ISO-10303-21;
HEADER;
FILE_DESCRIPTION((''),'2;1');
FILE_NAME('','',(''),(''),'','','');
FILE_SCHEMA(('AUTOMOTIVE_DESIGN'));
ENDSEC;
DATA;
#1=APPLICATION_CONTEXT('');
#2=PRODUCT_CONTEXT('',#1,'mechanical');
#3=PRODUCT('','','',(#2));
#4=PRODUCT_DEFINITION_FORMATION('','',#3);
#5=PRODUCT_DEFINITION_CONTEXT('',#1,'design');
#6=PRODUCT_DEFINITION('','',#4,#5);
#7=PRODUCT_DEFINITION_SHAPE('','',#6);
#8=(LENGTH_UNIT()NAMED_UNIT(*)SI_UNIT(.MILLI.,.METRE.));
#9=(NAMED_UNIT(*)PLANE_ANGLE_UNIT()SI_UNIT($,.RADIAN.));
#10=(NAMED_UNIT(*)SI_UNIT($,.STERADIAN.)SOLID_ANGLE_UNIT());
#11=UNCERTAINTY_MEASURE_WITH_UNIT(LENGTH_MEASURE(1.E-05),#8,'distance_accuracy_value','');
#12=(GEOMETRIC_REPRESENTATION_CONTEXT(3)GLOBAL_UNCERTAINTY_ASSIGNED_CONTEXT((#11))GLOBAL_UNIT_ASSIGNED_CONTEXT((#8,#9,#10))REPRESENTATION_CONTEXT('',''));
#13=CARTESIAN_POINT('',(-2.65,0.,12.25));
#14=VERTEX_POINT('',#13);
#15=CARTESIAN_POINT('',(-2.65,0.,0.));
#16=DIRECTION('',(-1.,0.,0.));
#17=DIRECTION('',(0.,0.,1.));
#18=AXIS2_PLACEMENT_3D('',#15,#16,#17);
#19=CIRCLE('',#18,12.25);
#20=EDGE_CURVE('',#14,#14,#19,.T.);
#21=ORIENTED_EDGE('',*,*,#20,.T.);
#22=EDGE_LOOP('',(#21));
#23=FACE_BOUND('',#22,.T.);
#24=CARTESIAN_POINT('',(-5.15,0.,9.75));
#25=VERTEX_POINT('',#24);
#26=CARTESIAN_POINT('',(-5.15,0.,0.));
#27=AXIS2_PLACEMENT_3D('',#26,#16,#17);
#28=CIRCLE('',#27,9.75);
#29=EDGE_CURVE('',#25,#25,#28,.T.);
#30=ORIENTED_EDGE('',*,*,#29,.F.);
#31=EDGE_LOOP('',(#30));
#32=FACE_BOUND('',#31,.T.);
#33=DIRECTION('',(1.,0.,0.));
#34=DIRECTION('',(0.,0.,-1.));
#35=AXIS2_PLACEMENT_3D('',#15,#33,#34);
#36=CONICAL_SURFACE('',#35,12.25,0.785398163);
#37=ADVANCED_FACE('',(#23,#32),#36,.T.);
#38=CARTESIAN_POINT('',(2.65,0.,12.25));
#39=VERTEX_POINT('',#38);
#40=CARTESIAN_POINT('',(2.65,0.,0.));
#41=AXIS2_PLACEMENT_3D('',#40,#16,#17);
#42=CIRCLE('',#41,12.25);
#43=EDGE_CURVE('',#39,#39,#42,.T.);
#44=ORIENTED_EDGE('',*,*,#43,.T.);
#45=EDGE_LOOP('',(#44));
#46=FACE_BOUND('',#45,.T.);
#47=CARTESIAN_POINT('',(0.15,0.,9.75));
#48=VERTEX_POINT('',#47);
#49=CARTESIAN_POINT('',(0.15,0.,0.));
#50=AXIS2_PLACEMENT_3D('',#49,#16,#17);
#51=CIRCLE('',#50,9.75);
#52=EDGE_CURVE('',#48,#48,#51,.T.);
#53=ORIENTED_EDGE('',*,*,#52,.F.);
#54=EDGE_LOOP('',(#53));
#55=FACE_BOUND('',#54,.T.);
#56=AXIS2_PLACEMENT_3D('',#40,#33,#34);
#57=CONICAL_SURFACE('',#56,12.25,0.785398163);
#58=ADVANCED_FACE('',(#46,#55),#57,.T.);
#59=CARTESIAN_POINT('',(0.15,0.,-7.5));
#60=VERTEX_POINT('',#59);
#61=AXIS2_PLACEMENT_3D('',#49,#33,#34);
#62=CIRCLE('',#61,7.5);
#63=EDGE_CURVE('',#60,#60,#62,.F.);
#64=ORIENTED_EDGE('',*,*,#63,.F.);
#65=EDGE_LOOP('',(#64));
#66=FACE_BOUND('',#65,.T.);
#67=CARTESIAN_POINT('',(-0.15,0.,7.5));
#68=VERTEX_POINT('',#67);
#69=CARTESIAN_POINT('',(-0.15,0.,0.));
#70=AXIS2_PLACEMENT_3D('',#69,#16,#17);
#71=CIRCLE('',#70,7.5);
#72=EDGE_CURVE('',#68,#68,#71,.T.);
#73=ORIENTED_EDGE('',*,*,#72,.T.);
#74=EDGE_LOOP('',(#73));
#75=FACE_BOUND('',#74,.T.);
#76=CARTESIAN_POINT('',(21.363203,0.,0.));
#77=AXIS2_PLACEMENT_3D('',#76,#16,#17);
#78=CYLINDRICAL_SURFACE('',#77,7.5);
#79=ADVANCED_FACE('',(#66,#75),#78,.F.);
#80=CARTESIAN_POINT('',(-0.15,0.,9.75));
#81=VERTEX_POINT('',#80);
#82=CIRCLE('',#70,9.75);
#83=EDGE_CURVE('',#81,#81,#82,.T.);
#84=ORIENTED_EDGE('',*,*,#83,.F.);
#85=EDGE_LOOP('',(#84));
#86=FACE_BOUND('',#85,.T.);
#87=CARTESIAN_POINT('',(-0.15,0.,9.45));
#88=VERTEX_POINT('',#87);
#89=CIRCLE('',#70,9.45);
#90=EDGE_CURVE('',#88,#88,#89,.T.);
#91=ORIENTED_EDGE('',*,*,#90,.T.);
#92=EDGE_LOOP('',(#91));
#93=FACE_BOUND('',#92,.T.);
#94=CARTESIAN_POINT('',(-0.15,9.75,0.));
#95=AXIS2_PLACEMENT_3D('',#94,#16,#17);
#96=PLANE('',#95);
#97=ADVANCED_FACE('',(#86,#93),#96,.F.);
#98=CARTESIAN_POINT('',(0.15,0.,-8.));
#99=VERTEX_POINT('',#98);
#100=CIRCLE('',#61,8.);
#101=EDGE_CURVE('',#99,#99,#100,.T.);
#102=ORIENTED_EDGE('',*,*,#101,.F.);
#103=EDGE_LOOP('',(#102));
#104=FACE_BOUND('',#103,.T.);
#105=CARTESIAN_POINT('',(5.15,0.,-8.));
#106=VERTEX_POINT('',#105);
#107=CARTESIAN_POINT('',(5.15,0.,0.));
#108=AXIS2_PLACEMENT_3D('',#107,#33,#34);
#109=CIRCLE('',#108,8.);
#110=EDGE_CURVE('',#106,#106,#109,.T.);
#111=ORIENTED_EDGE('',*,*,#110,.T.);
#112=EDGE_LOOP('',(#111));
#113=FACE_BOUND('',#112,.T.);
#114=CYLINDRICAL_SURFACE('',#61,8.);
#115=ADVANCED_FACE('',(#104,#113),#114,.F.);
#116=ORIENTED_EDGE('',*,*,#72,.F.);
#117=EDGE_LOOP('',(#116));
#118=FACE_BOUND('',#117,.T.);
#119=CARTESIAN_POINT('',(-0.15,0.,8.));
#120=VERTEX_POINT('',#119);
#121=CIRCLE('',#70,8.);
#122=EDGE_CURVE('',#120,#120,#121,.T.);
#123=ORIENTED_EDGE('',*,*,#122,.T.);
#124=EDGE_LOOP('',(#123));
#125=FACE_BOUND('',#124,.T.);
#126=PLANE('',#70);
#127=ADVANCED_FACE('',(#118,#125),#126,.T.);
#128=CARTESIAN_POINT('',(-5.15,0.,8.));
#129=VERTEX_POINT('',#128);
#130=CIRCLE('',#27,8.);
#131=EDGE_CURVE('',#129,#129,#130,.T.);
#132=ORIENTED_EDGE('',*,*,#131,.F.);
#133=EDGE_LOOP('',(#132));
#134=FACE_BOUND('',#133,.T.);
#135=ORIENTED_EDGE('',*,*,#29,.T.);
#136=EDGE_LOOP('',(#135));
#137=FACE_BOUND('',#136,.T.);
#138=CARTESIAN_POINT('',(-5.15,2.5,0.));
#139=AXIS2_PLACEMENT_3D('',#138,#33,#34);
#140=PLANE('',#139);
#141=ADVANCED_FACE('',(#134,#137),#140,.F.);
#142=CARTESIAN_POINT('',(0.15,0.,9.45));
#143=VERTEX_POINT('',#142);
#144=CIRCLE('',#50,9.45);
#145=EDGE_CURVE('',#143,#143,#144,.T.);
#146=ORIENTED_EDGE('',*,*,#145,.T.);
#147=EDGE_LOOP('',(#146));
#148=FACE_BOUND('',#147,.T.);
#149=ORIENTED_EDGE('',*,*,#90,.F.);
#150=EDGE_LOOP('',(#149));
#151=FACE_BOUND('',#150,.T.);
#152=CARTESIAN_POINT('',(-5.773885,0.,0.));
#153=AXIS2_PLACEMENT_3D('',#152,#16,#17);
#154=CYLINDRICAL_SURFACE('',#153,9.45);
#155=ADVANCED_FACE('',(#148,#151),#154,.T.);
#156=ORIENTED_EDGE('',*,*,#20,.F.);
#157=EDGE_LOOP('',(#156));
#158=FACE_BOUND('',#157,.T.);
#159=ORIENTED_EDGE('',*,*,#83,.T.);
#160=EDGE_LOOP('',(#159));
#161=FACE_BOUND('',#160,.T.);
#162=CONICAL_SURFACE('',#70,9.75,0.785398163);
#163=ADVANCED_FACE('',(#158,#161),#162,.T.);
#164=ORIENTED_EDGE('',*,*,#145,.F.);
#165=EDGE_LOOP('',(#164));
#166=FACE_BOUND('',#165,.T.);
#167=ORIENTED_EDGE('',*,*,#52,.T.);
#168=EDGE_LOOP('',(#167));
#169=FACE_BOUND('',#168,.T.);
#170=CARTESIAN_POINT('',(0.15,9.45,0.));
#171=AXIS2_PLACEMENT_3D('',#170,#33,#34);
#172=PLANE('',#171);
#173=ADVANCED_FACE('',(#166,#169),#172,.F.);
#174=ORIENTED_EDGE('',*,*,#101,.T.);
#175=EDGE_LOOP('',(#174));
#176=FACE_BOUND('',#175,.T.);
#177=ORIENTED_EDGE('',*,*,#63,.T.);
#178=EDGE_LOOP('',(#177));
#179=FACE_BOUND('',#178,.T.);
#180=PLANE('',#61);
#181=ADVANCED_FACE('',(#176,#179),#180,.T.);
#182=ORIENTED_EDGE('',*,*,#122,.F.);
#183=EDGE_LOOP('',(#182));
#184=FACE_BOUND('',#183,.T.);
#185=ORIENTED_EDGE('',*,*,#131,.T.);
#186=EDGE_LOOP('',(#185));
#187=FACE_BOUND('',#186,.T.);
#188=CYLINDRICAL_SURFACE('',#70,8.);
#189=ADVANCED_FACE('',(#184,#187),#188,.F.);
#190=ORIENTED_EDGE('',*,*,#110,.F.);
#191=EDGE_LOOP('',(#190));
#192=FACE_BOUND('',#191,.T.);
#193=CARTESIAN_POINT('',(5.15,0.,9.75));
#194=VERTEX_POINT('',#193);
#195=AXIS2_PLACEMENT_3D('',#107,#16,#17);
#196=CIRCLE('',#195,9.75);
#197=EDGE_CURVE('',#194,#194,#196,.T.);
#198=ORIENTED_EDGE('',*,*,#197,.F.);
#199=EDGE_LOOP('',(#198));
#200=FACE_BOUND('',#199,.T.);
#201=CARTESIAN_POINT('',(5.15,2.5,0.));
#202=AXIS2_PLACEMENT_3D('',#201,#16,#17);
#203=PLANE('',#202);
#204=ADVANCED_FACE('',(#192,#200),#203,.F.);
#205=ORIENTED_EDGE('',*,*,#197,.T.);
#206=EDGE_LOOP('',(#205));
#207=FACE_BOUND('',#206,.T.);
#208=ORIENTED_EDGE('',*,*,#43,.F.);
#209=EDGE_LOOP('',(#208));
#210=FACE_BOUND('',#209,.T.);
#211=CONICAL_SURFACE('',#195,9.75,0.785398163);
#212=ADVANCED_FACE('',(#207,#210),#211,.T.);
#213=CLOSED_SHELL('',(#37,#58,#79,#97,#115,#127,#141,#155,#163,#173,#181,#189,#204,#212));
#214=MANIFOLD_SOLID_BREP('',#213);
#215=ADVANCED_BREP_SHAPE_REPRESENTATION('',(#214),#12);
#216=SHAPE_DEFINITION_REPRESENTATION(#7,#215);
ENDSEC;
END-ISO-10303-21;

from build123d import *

# Parameters (mm, degrees)
ESBO_O2_R             = 8
CORTE_EXTRUS_O1_DEPTH = 5
CORTE_EXTRUS_O2_START = -5
ESBO_O3_R             = 8
CORTE_EXTRUS_O2_DEPTH = 5
ESBO_O4_R             = 7.5
CORTE_EXTRUS_O3_DEPTH = 0.3


with BuildPart() as part:
    # Esboço1 → Revolução1 (revolve)
    with BuildSketch(Plane.XY, mode=Mode.PRIVATE) as revolu_o1_sk:
        Polygon((-5.15, 2.5), (-5.15, 9.75), (-2.65, 12.25), (-0.15, 9.75), (-0.15, 9.45), (0.15, 9.45), (0.15, 9.75), (2.65, 12.25), (5.15, 9.75), (5.15, 2.5), align=None)
    revolve(revolu_o1_sk.sketch.rotate(Axis((-5.77388535, 0, 0), (1, 0, 0)), 90), axis=Axis((-5.77388535, 0, 0), (1, 0, 0)))

    # Esboço2 → Corte-extrusão1 (cut)
    with BuildSketch(Plane(origin=(5.15, 0, 0), x_dir=(0, 0, -1), z_dir=(1, 0, 0))):
        Circle(ESBO_O2_R)
    extrude(amount=-CORTE_EXTRUS_O1_DEPTH, mode=Mode.SUBTRACT)

    # Esboço3 → Corte-extrusão2 (cut)
    with BuildSketch(Plane.ZY.offset(5.15).offset(CORTE_EXTRUS_O2_START)):
        with Locations(Location((0, 0, 0), (0, 0, 180))):
            Circle(ESBO_O3_R)
    extrude(amount=CORTE_EXTRUS_O2_DEPTH, mode=Mode.SUBTRACT)

    # Esboço4 → Corte-extrusão3 (cut)
    with BuildSketch(Plane.ZY.offset(0.15)):
        Circle(ESBO_O4_R)
    extrude(amount=-CORTE_EXTRUS_O3_DEPTH, mode=Mode.SUBTRACT)


solid = part.part
